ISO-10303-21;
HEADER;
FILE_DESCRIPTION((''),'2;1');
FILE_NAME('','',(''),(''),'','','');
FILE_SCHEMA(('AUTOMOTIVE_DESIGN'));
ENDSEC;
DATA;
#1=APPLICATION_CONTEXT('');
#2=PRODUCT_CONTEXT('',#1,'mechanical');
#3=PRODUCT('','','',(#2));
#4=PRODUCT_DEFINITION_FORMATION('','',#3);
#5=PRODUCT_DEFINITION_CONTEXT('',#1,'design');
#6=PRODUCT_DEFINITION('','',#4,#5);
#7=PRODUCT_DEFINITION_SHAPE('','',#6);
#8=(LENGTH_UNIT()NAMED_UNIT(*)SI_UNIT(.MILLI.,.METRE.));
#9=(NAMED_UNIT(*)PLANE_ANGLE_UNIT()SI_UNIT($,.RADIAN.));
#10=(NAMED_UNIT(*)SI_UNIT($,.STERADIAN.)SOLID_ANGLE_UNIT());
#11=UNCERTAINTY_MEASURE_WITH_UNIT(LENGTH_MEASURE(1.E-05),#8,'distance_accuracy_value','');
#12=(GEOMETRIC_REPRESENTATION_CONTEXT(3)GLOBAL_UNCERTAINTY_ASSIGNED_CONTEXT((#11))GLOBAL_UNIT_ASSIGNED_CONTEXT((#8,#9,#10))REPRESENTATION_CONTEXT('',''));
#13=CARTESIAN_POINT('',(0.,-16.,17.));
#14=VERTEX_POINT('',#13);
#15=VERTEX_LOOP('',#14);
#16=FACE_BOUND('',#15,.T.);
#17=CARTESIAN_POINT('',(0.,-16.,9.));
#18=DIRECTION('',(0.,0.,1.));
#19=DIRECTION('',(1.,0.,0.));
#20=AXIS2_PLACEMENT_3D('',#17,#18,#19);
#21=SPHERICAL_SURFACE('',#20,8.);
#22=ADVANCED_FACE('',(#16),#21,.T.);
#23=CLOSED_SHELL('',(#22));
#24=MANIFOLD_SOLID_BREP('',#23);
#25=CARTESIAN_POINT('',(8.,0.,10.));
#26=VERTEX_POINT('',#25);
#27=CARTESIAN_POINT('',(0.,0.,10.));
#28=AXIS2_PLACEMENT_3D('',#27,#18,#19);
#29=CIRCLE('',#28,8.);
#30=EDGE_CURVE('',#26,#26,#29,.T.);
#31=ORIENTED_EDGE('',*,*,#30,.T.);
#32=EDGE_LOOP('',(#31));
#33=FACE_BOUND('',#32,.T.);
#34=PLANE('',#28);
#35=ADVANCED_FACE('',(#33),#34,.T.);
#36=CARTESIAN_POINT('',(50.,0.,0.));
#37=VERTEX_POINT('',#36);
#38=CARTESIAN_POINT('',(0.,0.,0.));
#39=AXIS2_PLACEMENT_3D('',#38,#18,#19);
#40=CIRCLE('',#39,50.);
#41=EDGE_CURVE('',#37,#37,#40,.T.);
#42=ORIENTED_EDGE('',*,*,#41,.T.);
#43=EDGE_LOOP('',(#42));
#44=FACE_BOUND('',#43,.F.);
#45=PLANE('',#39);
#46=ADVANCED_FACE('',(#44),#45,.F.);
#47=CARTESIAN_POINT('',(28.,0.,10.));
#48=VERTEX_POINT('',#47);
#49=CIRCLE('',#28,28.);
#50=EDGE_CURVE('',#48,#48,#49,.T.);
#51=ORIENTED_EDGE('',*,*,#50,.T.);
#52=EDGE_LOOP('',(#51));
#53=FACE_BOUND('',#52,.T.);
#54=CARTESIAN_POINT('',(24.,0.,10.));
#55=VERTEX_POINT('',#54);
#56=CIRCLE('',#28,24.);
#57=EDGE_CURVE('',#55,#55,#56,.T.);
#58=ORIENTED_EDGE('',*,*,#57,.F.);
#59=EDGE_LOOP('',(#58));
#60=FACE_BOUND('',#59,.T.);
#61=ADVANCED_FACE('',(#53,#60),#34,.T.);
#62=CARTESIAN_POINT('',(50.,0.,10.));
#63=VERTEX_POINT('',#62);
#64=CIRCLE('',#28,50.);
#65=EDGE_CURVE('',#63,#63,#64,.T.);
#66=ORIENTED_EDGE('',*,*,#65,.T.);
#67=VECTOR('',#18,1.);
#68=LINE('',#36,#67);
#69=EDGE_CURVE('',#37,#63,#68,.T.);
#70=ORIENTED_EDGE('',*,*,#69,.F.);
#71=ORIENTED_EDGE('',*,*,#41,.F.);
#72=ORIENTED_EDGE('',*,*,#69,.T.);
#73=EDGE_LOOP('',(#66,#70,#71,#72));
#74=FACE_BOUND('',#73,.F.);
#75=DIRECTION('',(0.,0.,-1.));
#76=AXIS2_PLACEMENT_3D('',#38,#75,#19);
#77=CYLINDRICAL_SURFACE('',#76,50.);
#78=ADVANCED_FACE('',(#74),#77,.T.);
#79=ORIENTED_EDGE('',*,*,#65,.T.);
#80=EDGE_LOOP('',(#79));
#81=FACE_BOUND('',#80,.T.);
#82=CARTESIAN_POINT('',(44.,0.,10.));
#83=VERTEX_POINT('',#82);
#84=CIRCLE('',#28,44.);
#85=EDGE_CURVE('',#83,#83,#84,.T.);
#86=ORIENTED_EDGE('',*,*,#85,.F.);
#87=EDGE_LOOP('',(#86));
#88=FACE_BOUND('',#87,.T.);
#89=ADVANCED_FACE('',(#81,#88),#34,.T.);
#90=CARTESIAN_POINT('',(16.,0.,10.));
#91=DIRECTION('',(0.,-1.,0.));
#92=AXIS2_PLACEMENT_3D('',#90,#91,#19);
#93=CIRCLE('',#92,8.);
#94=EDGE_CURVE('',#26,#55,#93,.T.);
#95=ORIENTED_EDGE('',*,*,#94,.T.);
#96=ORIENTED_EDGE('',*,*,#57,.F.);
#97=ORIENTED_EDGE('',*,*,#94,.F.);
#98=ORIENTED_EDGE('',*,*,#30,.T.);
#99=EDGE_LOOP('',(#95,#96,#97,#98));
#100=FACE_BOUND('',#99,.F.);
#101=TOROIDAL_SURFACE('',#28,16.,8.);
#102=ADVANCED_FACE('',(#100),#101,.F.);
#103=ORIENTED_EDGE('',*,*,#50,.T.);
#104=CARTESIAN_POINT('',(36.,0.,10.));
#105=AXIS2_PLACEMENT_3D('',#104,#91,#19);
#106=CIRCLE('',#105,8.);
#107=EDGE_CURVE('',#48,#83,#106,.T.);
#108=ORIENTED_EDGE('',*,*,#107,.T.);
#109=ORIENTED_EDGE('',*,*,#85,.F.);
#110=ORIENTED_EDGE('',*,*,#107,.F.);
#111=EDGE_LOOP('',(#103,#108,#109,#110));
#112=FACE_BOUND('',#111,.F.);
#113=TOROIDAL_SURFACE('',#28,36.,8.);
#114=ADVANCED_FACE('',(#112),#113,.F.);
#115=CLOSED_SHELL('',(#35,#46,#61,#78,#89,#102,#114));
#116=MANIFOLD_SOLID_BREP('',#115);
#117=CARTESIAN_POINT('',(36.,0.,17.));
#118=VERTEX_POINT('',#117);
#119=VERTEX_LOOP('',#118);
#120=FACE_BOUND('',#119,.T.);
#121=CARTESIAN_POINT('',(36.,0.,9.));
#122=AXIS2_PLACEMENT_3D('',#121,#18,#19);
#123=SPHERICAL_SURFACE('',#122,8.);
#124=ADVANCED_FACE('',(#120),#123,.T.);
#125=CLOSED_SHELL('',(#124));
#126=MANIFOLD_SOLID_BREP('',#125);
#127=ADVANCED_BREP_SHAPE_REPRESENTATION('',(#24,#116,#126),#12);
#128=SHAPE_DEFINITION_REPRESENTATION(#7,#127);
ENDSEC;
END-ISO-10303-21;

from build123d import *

# Parameters (mm, degrees)
TORUS001_R     = 8
TORUS_R        = 8
CYLINDER_R     = 50
CYLINDER_DEPTH = 10


with BuildPart() as torus001:
    # Torus001 → Torus001 (revolve)
    with BuildSketch(Plane(origin=(0, 0, 10), x_dir=(1, 0, 0), z_dir=(0, -1, 0))):
        with Locations((36, 0)):
            Circle(TORUS001_R)
    revolve(axis=Axis((0, 0, 10), (0, 0, 1)))


with BuildPart() as fusion:
    # Torus → Torus (revolve)
    with BuildSketch(Plane(origin=(0, 0, 10), x_dir=(1, 0, 0), z_dir=(0, -1, 0))):
        with Locations((16, 0)):
            Circle(TORUS_R)
    revolve(axis=Axis((0, 0, 10), (0, 0, 1)))

    # Fusion: union Torus001
    add(torus001.part)


with BuildPart() as cut:
    # Cylinder → Cylinder (new body)
    with BuildSketch(Plane.XY):
        Circle(CYLINDER_R)
    extrude(amount=CYLINDER_DEPTH)

    # Cut: cut Fusion
    add(fusion.part, mode=Mode.SUBTRACT)


with BuildPart() as esfera:
    # Sphere → Sphere (revolve)
    with BuildSketch(Plane(origin=(36, 0, 9), x_dir=(1, 0, 0), z_dir=(0, -1, 0))):
        with BuildLine():
            ThreePointArc((0, -8), (8, 0), (0, 8))
            Line((0, 8), (0, -8))
        make_face()
    revolve(axis=Axis((36, 0, 9), (0, 0, 1)))


with BuildPart() as esfera001:
    # Sphere001 → Sphere001 (revolve)
    with BuildSketch(Plane(origin=(0, -16, 9), x_dir=(1, 0, 0), z_dir=(0, -1, 0))):
        with BuildLine():
            ThreePointArc((0, -8), (8, 0), (0, 8))
            Line((0, 8), (0, -8))
        make_face()
    revolve(axis=Axis((0, -16, 9), (0, 0, 1)))


solid = Compound([cut.part, esfera.part, esfera001.part])
